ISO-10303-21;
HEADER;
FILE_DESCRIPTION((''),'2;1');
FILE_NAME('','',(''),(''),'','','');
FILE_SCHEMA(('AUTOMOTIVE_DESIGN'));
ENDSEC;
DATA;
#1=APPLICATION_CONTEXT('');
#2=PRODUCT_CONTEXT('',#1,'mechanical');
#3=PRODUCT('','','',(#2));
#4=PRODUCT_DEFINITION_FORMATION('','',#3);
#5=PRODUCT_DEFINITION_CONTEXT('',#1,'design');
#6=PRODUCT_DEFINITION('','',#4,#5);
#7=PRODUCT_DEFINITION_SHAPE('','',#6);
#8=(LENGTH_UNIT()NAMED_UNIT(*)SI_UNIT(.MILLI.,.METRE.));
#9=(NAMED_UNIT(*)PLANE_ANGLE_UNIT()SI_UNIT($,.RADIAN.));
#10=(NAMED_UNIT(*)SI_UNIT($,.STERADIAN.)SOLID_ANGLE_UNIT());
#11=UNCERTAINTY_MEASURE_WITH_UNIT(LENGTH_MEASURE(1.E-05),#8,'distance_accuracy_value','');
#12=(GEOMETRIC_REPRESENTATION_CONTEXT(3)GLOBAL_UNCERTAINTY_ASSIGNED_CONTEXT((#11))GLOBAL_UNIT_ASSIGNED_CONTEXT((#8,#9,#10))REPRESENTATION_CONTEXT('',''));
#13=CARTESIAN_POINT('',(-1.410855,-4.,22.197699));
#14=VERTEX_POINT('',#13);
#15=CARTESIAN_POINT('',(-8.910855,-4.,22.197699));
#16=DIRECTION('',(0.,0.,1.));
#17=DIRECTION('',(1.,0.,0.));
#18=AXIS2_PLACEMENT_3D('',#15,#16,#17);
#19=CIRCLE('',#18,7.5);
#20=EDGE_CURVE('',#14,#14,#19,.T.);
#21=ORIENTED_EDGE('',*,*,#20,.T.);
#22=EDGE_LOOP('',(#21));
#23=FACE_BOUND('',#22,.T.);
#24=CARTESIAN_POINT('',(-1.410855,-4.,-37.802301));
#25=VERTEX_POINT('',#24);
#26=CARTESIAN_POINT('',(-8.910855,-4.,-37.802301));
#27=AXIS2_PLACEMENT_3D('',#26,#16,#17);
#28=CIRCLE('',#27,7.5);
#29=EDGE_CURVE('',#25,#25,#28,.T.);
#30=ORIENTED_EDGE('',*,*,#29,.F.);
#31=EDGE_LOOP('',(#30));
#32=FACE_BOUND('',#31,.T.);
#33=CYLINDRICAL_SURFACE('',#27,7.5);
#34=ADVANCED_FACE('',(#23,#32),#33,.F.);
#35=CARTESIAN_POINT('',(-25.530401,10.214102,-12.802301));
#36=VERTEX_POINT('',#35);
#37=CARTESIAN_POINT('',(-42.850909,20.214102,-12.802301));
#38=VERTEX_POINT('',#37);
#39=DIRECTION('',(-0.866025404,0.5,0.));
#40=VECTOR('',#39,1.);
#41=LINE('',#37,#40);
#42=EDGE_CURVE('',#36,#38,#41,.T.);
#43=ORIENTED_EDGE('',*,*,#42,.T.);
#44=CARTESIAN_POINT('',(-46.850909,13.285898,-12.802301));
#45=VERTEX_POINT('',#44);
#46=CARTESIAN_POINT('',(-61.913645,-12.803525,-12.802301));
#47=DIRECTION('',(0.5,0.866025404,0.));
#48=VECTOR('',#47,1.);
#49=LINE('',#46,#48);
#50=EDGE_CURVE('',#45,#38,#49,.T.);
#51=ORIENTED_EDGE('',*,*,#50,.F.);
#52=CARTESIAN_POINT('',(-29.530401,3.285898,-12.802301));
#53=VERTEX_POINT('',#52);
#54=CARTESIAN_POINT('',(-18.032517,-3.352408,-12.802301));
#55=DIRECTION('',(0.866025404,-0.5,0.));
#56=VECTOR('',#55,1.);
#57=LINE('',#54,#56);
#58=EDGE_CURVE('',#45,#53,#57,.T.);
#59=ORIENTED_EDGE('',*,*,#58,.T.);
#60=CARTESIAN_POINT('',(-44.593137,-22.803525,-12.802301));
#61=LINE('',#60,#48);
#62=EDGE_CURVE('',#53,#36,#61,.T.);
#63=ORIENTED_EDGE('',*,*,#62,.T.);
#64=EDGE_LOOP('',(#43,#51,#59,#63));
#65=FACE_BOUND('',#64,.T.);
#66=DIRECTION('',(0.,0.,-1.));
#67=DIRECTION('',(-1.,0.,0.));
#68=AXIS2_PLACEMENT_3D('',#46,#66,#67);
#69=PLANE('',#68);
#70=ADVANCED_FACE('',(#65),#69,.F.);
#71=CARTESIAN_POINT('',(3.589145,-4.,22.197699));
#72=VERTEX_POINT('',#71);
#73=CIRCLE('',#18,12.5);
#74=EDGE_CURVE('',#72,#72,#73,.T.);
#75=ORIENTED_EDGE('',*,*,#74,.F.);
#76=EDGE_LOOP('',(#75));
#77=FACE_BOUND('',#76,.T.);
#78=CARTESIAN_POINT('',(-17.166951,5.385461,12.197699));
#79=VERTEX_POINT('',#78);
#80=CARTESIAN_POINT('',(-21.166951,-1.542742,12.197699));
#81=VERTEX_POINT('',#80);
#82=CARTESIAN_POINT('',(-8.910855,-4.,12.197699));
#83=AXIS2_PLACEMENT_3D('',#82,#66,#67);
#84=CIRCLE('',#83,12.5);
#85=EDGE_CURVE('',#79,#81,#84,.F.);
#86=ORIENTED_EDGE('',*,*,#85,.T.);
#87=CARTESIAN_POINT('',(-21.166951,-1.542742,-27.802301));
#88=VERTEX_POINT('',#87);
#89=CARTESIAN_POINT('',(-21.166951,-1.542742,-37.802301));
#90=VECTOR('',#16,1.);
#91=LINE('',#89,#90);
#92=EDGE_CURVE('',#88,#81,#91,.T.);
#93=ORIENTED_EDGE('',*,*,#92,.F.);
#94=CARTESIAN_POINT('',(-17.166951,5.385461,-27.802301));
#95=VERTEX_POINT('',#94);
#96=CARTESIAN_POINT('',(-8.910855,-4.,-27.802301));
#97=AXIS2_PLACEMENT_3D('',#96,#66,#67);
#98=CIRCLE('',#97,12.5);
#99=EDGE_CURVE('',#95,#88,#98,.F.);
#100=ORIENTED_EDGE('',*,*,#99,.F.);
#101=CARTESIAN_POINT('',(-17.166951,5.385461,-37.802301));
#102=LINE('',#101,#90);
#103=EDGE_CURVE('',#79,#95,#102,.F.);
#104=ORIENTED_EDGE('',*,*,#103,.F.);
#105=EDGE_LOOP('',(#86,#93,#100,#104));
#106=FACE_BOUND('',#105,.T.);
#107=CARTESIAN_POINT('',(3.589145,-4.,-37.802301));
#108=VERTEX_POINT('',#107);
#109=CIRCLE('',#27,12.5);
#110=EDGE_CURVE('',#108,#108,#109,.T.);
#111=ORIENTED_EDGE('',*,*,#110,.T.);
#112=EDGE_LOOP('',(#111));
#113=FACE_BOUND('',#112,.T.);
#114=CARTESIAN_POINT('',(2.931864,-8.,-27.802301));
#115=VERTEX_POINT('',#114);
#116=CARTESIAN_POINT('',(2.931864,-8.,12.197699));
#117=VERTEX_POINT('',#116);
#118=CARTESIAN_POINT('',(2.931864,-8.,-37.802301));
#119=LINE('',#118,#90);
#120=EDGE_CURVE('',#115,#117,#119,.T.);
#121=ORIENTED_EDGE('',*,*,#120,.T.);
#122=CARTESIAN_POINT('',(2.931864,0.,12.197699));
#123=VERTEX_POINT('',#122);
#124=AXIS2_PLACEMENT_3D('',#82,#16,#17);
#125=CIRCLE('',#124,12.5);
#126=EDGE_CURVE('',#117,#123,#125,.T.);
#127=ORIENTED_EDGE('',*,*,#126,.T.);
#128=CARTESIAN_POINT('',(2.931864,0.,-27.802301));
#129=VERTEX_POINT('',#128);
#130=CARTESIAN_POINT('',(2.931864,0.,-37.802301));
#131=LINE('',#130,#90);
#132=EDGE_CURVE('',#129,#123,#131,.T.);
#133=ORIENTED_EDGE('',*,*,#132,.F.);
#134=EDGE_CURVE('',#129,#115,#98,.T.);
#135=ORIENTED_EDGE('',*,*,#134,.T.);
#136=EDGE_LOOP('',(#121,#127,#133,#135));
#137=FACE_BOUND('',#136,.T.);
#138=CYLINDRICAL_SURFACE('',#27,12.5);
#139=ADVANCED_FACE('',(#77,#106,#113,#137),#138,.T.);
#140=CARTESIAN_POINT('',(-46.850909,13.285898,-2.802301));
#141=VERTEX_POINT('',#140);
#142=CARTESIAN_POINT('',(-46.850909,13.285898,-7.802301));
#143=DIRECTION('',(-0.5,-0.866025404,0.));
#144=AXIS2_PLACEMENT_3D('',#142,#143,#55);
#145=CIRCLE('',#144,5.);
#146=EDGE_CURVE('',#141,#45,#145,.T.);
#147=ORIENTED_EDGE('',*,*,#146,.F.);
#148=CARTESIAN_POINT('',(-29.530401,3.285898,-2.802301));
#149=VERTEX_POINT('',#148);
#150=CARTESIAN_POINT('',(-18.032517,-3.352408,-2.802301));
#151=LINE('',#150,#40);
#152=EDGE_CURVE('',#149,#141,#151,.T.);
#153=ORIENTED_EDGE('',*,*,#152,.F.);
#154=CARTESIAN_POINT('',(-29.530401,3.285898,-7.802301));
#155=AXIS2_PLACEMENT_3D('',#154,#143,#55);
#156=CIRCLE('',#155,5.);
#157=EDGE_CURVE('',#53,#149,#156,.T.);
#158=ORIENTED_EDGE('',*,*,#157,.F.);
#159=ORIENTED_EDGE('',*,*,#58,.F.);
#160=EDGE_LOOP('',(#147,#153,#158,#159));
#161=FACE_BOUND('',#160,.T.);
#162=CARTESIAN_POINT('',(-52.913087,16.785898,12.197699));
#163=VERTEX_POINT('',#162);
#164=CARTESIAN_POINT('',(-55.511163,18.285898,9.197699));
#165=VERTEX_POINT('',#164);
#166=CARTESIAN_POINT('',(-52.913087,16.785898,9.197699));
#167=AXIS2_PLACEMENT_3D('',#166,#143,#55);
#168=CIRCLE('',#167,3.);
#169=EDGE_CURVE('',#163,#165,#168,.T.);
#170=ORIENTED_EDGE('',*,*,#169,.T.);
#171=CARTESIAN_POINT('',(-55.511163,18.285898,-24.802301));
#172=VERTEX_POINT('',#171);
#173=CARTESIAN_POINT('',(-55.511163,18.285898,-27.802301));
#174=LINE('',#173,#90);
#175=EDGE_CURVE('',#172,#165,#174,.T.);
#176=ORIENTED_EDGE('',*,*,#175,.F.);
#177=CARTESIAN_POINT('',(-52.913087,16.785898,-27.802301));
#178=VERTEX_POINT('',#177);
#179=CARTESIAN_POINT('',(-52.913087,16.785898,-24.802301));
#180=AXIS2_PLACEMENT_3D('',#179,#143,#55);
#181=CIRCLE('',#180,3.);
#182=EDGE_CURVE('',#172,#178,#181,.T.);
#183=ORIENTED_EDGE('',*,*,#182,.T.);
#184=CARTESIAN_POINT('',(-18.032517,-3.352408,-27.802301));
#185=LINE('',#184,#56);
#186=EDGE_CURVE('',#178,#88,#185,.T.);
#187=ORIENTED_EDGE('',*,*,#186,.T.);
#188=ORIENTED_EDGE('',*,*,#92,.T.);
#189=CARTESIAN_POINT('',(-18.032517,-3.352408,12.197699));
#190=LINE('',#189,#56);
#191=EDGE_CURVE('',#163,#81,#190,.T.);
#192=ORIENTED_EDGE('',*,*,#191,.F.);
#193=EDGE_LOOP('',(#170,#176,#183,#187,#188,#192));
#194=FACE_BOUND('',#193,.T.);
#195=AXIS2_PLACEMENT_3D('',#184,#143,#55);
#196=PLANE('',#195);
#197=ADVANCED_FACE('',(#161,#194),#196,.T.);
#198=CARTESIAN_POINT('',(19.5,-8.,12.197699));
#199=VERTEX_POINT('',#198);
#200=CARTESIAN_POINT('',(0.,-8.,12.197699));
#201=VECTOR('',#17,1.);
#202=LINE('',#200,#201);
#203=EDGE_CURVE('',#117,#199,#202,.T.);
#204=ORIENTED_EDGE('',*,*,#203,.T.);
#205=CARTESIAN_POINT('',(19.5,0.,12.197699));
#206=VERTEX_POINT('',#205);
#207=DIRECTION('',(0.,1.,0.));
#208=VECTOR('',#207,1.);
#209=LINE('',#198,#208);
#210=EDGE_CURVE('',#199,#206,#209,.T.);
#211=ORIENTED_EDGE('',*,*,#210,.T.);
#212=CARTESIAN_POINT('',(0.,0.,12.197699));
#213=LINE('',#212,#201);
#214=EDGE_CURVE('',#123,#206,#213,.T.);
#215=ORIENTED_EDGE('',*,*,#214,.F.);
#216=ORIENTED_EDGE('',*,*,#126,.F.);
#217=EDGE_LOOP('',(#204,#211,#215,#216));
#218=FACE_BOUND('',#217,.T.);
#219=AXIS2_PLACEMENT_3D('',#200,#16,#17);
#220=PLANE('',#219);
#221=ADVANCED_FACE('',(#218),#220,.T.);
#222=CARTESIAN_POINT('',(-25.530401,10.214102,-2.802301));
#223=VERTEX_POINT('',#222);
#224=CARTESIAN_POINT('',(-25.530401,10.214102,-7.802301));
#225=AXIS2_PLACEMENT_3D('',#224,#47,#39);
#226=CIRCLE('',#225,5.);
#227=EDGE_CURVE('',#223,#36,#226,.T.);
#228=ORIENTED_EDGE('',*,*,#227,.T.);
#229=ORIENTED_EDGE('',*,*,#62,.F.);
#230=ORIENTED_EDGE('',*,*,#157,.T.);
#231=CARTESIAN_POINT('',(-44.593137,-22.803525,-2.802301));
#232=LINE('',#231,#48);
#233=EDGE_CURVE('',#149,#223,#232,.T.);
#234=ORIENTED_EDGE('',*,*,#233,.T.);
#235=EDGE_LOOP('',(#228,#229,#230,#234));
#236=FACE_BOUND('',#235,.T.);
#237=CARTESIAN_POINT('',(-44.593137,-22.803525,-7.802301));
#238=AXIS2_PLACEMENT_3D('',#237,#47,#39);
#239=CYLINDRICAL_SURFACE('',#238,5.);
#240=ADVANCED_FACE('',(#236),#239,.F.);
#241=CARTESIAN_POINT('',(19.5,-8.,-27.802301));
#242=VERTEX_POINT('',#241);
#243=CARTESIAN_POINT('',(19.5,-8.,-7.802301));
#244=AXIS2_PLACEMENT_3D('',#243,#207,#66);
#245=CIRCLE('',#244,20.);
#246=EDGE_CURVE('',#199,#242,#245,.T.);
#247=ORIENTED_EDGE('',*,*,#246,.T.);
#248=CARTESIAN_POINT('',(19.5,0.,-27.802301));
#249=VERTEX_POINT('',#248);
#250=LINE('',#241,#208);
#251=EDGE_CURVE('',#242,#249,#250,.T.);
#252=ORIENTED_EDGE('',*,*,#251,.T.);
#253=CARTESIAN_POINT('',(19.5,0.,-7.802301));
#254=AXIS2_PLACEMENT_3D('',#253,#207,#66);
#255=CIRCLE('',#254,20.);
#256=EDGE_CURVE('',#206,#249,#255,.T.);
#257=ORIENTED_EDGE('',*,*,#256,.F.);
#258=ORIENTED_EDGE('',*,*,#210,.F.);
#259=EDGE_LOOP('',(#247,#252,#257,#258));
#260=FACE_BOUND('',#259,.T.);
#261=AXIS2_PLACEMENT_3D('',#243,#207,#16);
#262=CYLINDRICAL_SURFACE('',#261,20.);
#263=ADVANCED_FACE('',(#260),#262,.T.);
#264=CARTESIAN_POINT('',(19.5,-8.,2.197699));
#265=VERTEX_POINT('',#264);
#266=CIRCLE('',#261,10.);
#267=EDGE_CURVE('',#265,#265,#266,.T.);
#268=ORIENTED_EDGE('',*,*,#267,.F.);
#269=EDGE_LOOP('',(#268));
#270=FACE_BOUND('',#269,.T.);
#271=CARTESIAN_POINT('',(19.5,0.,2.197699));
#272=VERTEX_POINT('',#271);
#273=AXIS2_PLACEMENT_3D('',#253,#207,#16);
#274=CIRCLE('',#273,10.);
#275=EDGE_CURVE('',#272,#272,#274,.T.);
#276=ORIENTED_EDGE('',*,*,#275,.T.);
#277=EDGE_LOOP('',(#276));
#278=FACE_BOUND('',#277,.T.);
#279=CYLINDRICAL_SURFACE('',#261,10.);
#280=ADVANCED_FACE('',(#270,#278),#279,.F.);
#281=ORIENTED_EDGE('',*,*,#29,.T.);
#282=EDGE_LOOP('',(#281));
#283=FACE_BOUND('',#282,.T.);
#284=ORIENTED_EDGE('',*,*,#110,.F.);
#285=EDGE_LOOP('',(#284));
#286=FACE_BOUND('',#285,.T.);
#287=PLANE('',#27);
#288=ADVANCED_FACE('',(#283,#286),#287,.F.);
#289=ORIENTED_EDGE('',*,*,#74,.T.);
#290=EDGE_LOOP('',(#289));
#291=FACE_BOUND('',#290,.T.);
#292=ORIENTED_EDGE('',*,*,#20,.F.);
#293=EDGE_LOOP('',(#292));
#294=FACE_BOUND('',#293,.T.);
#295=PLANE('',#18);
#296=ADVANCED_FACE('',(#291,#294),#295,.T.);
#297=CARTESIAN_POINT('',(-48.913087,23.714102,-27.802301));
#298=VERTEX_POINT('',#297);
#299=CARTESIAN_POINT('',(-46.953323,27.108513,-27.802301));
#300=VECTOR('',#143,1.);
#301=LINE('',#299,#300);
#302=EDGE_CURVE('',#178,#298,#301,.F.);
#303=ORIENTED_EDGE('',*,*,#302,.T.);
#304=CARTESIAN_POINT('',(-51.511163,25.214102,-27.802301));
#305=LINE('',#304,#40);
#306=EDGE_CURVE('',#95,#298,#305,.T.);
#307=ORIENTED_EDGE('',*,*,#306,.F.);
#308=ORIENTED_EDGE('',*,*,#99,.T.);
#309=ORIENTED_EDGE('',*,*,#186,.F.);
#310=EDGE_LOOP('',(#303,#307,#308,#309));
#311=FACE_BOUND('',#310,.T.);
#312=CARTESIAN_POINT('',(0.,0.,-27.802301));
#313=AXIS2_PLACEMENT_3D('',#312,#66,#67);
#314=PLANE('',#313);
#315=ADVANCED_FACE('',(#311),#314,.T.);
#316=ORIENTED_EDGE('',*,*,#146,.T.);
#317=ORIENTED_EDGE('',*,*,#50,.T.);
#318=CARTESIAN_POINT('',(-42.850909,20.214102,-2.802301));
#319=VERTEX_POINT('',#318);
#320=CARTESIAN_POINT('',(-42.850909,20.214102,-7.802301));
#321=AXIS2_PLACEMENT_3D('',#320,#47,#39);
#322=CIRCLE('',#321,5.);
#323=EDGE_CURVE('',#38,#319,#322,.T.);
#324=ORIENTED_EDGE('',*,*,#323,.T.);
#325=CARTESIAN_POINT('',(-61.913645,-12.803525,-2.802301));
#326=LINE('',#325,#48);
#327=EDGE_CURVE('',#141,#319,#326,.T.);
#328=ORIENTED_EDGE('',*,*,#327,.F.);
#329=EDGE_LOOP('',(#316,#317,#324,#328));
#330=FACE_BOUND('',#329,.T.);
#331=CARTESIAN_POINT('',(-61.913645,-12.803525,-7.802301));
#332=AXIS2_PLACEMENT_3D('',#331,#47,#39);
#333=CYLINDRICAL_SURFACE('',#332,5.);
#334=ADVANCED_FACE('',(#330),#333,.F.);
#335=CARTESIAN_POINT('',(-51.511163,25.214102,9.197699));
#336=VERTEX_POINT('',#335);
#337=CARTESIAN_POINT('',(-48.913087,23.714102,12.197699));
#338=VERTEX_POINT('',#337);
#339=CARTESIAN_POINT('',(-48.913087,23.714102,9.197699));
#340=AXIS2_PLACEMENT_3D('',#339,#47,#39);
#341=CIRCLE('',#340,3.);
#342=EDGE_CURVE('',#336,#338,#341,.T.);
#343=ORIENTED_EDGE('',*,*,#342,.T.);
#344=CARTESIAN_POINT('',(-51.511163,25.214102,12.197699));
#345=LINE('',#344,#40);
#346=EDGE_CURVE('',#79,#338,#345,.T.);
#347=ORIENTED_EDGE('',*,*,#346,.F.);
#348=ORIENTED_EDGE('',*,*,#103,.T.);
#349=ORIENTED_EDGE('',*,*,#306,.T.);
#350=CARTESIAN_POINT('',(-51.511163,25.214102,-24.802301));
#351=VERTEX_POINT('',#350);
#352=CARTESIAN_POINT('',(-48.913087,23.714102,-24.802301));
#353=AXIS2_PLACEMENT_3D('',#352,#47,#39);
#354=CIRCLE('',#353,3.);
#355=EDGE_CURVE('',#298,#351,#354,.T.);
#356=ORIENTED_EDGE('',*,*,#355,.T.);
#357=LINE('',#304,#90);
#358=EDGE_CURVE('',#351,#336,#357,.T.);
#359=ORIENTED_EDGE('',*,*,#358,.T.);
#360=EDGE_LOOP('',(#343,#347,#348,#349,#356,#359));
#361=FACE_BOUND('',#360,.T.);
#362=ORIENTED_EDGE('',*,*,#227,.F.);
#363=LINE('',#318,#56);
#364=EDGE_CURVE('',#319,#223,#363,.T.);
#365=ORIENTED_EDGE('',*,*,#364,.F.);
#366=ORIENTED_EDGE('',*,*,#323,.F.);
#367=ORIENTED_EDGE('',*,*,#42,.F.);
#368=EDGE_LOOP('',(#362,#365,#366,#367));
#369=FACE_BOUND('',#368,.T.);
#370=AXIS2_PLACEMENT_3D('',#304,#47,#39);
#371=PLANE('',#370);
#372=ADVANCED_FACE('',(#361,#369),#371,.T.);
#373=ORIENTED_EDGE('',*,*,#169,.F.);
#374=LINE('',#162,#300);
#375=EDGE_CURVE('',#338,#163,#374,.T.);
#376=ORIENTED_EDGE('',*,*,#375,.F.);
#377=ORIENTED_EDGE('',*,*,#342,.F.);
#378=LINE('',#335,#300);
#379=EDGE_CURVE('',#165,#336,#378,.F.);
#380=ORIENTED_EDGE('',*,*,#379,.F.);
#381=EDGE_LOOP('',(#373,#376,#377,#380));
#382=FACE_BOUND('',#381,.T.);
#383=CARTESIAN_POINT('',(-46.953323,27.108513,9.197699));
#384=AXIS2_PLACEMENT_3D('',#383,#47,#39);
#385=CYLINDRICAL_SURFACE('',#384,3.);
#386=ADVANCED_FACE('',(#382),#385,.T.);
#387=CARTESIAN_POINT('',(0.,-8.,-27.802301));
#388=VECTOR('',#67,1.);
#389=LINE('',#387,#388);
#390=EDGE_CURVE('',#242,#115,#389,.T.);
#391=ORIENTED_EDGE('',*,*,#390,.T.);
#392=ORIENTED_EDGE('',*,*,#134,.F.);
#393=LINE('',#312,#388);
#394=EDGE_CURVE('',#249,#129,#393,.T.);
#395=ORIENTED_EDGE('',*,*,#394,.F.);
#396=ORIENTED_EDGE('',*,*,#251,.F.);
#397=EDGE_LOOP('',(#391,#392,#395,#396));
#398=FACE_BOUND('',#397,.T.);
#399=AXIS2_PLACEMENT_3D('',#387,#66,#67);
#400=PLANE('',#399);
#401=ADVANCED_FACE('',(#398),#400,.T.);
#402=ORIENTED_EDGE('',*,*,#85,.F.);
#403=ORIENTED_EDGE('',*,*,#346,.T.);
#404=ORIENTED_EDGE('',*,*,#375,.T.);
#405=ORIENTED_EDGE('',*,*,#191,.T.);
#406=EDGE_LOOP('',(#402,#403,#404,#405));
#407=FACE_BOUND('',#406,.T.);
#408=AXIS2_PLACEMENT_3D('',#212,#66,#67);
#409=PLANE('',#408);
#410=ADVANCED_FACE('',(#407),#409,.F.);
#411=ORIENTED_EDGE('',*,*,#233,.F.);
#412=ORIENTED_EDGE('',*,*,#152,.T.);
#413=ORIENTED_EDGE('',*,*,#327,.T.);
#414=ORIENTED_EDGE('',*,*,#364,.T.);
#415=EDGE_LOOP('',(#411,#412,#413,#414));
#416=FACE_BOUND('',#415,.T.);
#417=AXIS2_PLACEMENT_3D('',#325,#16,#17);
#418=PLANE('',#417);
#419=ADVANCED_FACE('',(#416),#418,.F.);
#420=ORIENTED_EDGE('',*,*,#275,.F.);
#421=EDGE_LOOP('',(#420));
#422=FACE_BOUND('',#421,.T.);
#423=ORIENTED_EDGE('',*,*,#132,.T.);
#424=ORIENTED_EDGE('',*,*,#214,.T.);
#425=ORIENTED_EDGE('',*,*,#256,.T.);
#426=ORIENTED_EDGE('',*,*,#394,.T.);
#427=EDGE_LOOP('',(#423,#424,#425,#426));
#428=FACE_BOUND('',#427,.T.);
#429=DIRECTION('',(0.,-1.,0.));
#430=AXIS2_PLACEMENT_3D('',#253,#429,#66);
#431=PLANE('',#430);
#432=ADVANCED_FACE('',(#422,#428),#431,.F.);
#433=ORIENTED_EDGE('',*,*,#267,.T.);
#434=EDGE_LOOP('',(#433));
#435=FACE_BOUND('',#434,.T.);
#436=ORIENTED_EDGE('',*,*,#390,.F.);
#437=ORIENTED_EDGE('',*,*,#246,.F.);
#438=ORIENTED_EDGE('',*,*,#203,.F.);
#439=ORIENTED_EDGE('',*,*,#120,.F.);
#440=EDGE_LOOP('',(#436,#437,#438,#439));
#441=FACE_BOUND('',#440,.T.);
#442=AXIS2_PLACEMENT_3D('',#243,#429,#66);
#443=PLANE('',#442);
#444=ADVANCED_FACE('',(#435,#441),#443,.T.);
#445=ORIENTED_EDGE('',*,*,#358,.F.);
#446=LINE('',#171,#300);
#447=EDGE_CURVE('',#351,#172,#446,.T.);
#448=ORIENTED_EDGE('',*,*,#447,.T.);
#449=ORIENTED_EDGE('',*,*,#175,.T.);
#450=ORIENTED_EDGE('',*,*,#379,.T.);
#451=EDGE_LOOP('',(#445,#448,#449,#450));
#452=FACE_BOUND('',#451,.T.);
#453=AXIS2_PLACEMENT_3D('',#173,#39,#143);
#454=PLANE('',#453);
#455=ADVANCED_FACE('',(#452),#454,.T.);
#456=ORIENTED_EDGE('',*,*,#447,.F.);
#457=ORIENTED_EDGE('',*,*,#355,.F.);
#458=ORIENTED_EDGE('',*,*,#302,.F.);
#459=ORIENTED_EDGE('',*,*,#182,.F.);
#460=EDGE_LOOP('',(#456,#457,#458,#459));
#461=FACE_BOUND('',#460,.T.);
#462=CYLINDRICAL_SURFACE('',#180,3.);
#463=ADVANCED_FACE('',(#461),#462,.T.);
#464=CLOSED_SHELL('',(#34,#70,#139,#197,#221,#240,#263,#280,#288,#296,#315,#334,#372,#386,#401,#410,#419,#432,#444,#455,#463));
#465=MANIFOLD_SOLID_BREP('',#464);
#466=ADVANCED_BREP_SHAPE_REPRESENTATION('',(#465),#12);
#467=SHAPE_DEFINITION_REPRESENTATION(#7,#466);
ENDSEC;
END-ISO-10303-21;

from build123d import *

# Parameters (mm, degrees)
SKETCH2_R           = 10
BOSS_EXTRUDE1_DEPTH = 8
SKETCH3_R           = 12.5
SKETCH3_R_2         = 7.5
BOSS_EXTRUDE2_DEPTH = 50
BOSS_EXTRUDE3_START = 10
SKETCH4_R           = 12.5
SKETCH4_R_2         = 7.5
BOSS_EXTRUDE3_DEPTH = 10
BOSS_EXTRUDE4_DEPTH = 40
CUT_EXTRUDE1_DEPTH  = 72.52071964
FILLET1_R           = 3


with BuildPart() as part:
    # Sketch2 → Boss-Extrude1 (new body)
    with BuildSketch(Plane(origin=(0, 0, 0), x_dir=(1, 0, 0), z_dir=(0, 1, 0))):
        with BuildLine():
            Line((0, 27.802301255), (0, -12.197698745))
            Line((0, -12.197698745), (19.5, -12.197698745))
            ThreePointArc((19.5, -12.197698745), (39.5, 7.802301255), (19.5, 27.802301255))
            Line((19.5, 27.802301255), (0, 27.802301255))
        make_face()
        with Locations(Location((19.5, 7.802301255, 0), (0, 0, 270))):
            Circle(SKETCH2_R, mode=Mode.SUBTRACT)
    extrude(amount=-BOSS_EXTRUDE1_DEPTH)

    # Sketch3 → Boss-Extrude2 (add)
    with BuildSketch(Plane.XY.offset(12.197698745)):
        with Locations((-8.910855114, -4)):
            Circle(SKETCH3_R)
        with Locations((-8.910855114, -4)):
            Circle(SKETCH3_R_2, mode=Mode.SUBTRACT)
    extrude(amount=-BOSS_EXTRUDE2_DEPTH)

    # Sketch4 → Boss-Extrude3 (add)
    with BuildSketch(Plane.XY.offset(12.197698745).offset(BOSS_EXTRUDE3_START)):
        with Locations((-8.910855114, -4)):
            Circle(SKETCH4_R)
        with Locations((-8.910855114, -4)):
            Circle(SKETCH4_R_2, mode=Mode.SUBTRACT)
    extrude(amount=-BOSS_EXTRUDE3_DEPTH)

    # Sketch6 → Boss-Extrude4 (add)
    with BuildSketch(Plane.XY.offset(12.197698745)):
        Polygon((-18.032516938, -3.352408244), (-55.511163409, 18.285898385), (-51.511163409, 25.214101615), (-14.032516938, 3.575794986), align=None)
    extrude(amount=-BOSS_EXTRUDE4_DEPTH)

    # Sketch7 → Cut-Extrude1 (cut, through all)
    with BuildSketch(Plane(origin=(-1.959764586, -3.394411834, 0), x_dir=(0.866025403784438, -0.500000000000001, 0), z_dir=(0.500000000000001, 0.866025403784438, 0))):
        with BuildLine():
            Line((-47.217026898, 12.802301255), (-27.217026898, 12.802301255))
            ThreePointArc((-27.217026898, 12.802301255), (-22.217026898, 7.802301255), (-27.217026898, 2.802301255))
            Line((-27.217026898, 2.802301255), (-47.217026898, 2.802301255))
            ThreePointArc((-47.217026898, 2.802301255), (-52.217026898, 7.802301255), (-47.217026898, 12.802301255))
        make_face()
    extrude(amount=-CUT_EXTRUDE1_DEPTH, mode=Mode.SUBTRACT)

    # Fillet1
    fillet1_edges = [part.edges().sort_by_distance(p)[0] for p in [
        (-53.511163409, 21.75, -27.802301255),
        (-53.511163409, 21.75, 12.197698745),
    ]]
    fillet(fillet1_edges, radius=FILLET1_R)


solid = part.part
